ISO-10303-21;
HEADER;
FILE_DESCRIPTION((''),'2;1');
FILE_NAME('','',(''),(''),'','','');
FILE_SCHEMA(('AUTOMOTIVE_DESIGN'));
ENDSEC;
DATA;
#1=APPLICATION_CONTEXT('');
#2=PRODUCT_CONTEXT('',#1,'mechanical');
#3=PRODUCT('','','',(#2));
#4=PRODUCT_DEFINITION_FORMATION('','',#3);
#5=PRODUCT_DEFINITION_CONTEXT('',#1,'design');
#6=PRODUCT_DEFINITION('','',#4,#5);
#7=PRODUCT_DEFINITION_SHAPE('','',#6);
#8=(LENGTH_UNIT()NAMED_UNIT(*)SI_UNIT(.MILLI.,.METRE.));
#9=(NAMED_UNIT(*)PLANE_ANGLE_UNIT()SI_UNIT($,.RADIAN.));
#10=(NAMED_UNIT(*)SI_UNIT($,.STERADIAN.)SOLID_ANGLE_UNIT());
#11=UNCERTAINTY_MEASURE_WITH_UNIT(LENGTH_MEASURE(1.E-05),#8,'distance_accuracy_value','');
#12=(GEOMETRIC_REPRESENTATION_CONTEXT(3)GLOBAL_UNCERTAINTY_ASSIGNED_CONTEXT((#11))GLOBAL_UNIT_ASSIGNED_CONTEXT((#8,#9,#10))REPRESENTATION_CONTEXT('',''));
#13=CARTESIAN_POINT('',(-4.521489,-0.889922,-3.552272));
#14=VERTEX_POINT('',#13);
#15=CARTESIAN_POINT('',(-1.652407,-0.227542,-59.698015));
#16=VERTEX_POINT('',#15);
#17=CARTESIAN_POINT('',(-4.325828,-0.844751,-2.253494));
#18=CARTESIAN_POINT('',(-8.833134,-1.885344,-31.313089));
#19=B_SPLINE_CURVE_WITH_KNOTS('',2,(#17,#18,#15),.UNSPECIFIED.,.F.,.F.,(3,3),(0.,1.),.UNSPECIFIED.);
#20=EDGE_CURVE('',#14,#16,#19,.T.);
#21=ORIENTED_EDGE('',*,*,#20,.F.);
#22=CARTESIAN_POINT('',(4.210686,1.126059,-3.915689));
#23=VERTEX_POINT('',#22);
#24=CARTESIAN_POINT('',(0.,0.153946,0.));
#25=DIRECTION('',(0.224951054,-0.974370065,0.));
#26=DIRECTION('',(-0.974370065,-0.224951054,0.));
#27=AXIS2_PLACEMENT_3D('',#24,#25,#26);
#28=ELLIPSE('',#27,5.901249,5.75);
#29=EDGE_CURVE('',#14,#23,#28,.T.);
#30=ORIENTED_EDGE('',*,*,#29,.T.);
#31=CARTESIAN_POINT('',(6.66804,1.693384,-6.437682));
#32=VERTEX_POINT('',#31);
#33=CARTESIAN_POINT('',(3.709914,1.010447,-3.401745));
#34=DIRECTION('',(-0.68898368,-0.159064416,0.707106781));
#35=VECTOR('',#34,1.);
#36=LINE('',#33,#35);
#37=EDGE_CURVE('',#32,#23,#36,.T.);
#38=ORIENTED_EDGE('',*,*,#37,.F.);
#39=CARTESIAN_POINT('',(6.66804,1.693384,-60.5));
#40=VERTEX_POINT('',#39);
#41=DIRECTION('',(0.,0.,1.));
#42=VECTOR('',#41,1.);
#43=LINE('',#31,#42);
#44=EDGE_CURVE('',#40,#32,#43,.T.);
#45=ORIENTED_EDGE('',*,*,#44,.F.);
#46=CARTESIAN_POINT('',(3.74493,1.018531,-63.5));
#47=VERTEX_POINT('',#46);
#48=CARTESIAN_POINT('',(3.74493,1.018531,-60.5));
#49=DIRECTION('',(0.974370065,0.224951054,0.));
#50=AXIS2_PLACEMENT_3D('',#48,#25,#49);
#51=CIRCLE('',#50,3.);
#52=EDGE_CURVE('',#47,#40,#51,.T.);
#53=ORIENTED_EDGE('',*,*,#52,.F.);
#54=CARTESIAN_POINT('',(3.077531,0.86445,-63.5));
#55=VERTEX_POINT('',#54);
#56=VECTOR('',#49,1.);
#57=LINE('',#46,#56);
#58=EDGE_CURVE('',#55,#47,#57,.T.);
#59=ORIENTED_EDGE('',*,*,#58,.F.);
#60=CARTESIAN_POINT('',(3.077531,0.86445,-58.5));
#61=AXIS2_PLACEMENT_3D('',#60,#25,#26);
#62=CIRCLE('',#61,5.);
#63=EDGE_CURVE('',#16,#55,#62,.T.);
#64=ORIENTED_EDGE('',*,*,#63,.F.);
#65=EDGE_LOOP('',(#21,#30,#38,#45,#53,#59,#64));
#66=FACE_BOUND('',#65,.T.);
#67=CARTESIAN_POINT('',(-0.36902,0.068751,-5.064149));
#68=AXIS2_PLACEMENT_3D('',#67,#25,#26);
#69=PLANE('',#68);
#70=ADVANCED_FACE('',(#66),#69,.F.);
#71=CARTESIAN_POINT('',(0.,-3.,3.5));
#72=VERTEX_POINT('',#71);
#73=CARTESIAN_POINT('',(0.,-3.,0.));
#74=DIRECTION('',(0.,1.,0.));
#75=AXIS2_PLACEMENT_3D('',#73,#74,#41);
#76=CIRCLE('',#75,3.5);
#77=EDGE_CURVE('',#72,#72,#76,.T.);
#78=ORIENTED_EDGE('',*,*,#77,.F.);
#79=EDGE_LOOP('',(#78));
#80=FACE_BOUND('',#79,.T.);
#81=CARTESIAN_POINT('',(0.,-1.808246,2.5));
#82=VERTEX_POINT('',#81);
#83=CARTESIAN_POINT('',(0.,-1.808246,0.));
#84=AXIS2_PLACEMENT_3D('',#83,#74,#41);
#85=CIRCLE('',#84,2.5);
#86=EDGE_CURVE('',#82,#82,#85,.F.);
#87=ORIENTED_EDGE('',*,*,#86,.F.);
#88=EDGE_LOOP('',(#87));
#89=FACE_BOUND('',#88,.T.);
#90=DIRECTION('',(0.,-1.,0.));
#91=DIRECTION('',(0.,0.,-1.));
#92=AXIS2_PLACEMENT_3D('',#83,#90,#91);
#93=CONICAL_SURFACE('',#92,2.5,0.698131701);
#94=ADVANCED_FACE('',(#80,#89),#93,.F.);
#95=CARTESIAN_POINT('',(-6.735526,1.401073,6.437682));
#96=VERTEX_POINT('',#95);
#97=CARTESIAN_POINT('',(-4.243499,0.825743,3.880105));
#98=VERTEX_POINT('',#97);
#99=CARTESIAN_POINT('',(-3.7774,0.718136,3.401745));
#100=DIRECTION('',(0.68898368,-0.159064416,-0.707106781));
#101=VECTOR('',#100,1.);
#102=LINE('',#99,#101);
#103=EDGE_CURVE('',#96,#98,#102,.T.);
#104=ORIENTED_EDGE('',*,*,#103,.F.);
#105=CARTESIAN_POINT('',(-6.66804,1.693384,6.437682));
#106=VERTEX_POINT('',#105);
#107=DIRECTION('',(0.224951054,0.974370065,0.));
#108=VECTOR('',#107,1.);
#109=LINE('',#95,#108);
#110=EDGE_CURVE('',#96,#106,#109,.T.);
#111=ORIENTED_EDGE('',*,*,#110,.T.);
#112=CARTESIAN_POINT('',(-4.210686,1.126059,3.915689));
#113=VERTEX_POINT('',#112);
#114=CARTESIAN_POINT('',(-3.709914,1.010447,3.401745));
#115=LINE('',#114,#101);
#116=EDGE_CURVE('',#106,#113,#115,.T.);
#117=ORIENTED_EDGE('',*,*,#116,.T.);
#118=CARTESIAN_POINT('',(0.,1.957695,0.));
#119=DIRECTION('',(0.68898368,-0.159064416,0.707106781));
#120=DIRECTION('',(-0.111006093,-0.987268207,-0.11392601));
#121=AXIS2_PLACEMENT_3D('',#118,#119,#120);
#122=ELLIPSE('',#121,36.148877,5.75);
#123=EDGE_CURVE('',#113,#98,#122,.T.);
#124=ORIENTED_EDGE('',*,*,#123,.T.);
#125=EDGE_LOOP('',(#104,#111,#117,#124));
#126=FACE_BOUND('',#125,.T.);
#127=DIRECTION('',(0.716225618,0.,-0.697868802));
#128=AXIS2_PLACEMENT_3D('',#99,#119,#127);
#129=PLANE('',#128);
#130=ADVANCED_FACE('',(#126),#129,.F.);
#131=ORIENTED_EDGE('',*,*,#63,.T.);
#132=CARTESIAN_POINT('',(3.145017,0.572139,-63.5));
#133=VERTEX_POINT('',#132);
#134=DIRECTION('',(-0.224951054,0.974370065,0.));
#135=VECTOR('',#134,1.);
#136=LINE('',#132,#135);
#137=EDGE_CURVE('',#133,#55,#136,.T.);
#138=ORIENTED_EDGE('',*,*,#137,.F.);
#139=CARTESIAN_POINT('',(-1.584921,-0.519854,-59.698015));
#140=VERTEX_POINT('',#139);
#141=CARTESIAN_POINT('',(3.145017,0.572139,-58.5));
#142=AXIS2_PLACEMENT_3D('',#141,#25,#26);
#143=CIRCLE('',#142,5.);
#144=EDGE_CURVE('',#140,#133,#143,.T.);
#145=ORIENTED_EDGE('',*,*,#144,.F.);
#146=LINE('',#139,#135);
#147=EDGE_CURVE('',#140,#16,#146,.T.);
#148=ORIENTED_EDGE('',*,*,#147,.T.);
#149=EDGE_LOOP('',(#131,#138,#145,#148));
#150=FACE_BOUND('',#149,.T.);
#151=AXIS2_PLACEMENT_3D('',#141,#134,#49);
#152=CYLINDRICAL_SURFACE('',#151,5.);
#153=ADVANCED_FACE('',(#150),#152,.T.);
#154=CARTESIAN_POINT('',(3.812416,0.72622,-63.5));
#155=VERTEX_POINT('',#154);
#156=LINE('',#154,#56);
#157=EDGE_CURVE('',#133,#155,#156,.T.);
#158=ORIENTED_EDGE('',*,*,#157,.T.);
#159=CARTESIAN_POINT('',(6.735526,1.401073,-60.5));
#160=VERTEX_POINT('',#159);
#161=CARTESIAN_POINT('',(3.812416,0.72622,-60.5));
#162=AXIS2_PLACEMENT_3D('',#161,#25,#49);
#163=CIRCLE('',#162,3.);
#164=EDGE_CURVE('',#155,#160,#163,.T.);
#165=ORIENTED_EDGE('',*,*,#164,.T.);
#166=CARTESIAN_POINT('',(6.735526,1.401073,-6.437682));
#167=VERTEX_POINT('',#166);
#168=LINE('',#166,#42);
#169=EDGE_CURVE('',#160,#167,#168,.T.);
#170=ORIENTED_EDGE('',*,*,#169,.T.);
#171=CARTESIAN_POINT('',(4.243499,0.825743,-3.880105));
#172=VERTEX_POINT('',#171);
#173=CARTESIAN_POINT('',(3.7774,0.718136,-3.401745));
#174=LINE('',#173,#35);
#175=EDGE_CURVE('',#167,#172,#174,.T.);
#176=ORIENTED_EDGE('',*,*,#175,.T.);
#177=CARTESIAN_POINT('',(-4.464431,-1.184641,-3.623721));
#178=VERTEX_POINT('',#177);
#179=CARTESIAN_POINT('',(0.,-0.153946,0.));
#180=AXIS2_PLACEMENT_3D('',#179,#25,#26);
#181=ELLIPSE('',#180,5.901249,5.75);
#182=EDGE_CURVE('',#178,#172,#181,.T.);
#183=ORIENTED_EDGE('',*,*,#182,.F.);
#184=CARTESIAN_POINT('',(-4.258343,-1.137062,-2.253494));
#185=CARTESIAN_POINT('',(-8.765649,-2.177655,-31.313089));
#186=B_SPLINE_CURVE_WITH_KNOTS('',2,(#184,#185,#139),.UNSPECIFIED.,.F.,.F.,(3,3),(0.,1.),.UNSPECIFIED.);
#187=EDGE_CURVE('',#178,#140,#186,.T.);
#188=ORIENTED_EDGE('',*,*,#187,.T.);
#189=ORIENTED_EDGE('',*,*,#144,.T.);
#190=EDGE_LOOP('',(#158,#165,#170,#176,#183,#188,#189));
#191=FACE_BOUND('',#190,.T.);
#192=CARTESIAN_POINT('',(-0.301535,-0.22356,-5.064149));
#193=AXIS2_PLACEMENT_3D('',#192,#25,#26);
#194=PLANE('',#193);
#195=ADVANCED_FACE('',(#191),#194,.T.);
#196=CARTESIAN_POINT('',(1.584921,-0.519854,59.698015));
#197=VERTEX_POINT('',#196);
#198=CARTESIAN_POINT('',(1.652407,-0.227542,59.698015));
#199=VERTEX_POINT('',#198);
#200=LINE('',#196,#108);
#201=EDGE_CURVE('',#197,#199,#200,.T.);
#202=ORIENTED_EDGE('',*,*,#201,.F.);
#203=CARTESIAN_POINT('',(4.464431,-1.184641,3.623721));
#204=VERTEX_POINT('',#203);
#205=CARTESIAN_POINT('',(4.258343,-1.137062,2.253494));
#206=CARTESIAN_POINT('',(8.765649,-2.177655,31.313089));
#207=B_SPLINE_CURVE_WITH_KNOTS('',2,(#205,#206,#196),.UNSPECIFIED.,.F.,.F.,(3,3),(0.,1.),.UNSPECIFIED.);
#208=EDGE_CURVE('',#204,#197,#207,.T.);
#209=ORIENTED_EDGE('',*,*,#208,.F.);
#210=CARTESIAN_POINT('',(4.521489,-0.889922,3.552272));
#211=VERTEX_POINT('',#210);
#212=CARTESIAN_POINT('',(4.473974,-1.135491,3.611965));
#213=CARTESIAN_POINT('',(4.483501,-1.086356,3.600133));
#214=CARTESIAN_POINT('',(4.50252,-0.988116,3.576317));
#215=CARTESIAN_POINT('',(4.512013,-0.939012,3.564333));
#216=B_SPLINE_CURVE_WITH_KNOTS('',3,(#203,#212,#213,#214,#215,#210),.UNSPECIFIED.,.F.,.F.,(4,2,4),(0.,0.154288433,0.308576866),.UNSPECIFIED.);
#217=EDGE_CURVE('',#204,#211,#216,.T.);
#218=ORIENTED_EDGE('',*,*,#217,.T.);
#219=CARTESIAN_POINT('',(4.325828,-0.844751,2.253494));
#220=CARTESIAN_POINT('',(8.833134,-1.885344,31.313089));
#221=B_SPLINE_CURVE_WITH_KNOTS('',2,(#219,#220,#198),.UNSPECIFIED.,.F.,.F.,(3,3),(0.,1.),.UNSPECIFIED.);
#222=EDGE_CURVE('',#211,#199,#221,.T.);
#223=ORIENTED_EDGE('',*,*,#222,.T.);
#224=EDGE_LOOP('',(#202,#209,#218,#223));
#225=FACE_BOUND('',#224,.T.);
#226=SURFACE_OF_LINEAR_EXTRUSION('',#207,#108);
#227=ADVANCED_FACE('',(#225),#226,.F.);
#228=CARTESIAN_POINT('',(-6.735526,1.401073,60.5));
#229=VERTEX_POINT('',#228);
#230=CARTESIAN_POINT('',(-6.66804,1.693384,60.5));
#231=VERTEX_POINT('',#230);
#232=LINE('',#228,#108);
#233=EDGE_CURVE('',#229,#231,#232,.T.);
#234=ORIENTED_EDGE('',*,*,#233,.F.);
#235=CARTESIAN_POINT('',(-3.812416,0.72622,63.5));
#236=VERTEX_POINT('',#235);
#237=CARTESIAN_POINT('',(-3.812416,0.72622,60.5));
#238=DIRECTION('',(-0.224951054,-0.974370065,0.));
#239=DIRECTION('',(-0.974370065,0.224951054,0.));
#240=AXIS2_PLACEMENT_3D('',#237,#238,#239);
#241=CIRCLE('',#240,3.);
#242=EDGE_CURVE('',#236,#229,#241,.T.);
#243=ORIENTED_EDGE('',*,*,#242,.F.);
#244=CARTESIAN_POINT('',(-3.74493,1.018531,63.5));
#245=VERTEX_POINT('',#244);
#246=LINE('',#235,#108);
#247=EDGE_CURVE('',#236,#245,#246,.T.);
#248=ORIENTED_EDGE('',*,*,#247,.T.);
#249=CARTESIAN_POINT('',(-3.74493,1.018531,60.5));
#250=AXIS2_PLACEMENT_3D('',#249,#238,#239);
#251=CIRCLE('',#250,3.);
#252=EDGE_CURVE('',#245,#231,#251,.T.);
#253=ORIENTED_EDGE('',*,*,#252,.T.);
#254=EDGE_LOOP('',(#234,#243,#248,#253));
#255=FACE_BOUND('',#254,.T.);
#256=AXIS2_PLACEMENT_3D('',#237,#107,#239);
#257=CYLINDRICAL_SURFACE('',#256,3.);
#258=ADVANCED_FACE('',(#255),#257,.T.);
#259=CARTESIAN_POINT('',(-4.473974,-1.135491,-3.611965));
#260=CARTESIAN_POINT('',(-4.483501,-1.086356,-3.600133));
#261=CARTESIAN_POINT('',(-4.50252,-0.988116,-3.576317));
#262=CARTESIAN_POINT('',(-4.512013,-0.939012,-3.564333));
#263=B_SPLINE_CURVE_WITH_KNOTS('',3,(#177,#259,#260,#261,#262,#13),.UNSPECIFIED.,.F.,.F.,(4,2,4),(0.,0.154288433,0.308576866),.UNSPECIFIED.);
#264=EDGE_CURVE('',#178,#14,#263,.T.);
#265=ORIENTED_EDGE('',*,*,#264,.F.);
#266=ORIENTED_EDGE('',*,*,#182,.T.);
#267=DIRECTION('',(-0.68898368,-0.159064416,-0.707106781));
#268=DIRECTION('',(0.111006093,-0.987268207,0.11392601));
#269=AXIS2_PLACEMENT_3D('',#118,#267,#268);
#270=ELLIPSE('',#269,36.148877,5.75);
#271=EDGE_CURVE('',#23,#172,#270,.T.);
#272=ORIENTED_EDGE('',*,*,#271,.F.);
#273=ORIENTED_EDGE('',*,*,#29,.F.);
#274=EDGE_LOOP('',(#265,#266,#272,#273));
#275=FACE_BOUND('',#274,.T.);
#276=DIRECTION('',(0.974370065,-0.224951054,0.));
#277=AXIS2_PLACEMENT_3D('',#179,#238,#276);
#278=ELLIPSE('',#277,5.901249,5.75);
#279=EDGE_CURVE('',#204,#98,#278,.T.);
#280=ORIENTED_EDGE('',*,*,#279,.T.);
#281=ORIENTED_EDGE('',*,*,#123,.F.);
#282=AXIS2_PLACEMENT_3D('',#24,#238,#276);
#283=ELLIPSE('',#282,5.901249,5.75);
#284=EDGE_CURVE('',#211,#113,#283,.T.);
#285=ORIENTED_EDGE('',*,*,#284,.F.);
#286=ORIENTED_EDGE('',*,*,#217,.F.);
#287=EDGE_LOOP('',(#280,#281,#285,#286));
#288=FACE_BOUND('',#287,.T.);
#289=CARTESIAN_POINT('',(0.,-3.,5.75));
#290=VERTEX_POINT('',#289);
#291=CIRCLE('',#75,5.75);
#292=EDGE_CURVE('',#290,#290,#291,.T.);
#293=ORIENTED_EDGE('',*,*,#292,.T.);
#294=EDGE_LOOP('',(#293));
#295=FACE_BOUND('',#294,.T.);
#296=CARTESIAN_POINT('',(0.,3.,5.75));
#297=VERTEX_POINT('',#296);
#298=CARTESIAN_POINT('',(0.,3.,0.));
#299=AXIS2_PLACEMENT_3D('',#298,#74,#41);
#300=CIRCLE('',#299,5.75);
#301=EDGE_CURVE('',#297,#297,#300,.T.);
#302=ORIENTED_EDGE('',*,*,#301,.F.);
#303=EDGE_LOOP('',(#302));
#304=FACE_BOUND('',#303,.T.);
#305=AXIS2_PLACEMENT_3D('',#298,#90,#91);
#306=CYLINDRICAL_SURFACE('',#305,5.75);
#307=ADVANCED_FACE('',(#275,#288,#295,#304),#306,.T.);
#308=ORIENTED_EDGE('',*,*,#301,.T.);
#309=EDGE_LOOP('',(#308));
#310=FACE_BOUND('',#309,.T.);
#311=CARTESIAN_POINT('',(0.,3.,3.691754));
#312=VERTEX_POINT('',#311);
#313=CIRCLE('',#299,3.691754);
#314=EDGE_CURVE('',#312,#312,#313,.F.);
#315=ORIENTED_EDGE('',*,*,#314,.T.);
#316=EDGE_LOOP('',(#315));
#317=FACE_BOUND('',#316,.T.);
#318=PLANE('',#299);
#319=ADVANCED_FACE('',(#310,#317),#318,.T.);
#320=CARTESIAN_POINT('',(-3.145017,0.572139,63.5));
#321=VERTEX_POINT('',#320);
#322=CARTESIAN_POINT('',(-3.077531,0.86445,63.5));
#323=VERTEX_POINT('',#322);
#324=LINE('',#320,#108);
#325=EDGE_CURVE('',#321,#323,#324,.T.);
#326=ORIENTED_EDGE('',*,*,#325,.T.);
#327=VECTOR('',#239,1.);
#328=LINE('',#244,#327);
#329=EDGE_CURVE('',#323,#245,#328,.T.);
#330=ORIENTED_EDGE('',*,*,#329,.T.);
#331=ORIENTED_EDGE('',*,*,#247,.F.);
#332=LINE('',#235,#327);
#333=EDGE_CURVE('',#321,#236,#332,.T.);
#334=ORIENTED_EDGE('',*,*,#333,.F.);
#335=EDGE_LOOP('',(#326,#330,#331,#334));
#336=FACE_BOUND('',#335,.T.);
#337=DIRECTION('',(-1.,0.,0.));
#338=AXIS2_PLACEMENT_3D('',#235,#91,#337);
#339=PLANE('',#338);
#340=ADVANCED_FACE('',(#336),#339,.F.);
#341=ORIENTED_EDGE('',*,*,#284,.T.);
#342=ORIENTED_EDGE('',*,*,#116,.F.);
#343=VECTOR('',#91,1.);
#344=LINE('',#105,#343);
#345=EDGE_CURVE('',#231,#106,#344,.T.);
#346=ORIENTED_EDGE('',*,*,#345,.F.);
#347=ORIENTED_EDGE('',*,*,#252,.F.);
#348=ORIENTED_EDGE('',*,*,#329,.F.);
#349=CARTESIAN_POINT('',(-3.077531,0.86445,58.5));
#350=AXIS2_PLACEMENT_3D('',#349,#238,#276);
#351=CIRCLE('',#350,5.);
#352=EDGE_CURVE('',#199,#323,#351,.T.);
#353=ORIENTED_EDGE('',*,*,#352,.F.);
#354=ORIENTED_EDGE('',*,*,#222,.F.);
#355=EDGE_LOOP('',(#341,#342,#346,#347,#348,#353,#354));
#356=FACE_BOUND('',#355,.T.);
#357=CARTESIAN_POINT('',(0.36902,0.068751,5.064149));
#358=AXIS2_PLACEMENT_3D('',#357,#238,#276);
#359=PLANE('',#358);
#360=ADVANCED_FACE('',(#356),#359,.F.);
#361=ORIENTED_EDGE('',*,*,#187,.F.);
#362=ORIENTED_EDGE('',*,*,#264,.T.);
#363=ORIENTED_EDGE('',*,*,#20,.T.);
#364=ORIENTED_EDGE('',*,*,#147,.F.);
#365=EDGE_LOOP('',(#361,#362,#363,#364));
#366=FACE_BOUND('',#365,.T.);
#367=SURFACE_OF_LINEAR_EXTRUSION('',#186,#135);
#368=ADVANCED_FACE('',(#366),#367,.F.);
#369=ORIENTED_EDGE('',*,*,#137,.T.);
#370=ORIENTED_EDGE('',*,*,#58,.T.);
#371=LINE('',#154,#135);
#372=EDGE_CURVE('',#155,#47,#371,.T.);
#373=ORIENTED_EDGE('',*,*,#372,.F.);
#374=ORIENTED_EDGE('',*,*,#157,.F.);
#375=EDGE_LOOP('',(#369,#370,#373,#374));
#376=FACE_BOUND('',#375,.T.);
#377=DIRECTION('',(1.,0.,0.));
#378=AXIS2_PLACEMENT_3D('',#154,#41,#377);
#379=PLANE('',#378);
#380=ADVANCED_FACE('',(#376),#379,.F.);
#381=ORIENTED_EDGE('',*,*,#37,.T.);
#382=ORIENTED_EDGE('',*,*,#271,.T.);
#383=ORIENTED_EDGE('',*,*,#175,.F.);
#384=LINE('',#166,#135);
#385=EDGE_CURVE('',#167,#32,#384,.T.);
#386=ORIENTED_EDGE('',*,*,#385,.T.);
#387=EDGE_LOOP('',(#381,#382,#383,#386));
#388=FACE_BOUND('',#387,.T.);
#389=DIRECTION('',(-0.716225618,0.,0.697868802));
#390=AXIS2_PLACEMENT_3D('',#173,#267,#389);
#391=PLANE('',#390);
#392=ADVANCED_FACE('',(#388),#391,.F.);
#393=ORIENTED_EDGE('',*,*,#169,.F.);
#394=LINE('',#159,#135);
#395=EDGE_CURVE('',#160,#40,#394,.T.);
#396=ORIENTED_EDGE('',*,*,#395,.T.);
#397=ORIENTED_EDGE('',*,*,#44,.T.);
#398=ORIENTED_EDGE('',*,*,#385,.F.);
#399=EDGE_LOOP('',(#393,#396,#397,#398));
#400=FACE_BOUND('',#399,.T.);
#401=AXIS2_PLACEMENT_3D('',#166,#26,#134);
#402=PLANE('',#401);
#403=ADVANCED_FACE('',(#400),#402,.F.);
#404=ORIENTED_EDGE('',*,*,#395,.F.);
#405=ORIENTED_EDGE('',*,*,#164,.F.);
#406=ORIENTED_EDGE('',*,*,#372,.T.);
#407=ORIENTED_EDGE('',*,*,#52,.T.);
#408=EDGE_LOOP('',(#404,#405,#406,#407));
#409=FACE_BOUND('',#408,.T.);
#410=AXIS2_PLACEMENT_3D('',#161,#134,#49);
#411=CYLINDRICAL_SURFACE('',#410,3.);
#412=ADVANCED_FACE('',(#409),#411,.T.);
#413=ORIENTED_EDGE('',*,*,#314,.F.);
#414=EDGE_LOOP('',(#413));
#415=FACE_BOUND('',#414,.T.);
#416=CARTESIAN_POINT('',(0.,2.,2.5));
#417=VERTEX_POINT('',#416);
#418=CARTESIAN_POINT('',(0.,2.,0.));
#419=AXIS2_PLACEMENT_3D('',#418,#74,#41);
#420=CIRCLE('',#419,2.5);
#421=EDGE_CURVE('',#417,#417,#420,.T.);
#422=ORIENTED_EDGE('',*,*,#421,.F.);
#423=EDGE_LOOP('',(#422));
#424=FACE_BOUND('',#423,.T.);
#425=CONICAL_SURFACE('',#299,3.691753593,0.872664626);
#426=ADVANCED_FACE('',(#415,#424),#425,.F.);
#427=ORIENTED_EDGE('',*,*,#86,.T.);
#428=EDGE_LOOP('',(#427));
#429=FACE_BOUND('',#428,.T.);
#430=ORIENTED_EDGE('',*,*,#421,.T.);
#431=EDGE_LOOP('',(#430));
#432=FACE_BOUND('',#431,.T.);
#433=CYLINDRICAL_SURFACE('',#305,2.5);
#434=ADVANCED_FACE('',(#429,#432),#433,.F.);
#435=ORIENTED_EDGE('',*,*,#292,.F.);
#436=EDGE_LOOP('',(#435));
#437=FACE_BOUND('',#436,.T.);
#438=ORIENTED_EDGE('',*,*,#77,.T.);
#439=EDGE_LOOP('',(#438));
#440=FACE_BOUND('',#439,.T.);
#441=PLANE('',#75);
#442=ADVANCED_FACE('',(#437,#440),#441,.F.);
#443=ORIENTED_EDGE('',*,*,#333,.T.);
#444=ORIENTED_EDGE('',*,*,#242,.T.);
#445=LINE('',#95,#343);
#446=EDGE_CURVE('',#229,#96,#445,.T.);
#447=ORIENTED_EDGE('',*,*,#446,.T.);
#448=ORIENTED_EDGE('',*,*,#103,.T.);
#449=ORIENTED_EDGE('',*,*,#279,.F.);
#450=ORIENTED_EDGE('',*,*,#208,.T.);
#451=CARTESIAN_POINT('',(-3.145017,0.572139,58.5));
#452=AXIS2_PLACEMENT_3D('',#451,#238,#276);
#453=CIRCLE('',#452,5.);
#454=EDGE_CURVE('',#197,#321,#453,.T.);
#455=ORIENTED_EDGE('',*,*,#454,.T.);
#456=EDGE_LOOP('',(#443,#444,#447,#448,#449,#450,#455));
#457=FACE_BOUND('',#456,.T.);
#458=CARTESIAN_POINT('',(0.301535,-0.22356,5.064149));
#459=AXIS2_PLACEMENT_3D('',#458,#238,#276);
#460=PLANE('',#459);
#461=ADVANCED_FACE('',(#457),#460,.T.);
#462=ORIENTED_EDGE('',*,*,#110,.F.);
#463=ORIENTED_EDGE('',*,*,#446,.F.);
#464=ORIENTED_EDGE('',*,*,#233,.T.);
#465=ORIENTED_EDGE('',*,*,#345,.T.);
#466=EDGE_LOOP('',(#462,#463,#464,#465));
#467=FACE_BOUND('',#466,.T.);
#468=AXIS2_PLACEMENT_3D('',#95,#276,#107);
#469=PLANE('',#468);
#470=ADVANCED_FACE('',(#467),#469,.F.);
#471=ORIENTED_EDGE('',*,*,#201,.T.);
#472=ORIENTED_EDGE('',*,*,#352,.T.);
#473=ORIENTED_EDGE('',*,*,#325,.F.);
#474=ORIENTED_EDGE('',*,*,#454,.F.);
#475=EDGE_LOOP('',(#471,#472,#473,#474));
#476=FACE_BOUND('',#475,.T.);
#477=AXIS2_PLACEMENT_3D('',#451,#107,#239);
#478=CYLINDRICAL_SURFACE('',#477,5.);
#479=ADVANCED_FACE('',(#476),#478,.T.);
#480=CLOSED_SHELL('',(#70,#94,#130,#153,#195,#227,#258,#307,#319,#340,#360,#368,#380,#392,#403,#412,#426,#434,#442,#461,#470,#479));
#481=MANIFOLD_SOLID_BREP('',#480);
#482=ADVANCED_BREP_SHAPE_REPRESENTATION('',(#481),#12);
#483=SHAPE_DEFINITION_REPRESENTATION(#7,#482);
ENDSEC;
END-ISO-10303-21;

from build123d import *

# Parameters (mm, degrees)
SKETCH1_R             = 5.75
BOSS_EXTRUDE1_DEPTH   = 3
BOSS_EXTRUDE2_DEPTH   = 0.15
CIRPATTERN1_COUNT     = 2
SKETCH4_R             = 2.5
CUT_EXTRUDE1_DEPTH    = 7.0000001
CHAMFER1_SIZE         = 1
CHAMFER1_SIZE2        = 1.191753593
CHAMFER1_PART_2_SIZE  = 1
CHAMFER1_PART_2_SIZE2 = 1.191753593


with BuildPart() as part:
    # Sketch1 → Boss-Extrude1 (new body, symmetric)
    with BuildSketch(Plane(origin=(0, 0, 0), x_dir=(1, 0, 0), z_dir=(0, 1, 0))):
        Circle(SKETCH1_R)
    extrude(amount=BOSS_EXTRUDE1_DEPTH, both=True)

    # Sketch3 → Boss-Extrude2 (add, symmetric)
    with BuildSketch(Plane(origin=(0, 0, 0), x_dir=(0.974370065, -0.224951054, 0), z_dir=(-0.224951054, -0.974370065, 0))):
        with BuildLine():
            Line((-3.842130485, 3.401744966), (-6.87806753, 6.437682011))
            Line((-6.87806753, 6.437682011), (-6.87806753, 60.5))
            ThreePointArc((-6.87806753, 60.5), (-5.999387873, 62.621320344), (-3.87806753, 63.5))
            Line((-3.87806753, 63.5), (-3.193113424, 63.5))
            ThreePointArc((-3.193113424, 63.5), (-0.110101392, 62.436373561), (1.661241396, 59.698014726))
            add(Edge.make_bspline(
                [(1.661241396, 59.698014726), (9.030851791, 31.313089237), (4.404985301, 2.253493698)],
                knots=[0, 0, 0, 1, 1, 1], degree=2))
            add(Edge.make_bspline(
                [(-3.842130485, 3.401744966), (0.406766217, 7.300677946), (4.404985301, 2.253493698)],
                knots=[0, 0, 0, 1, 1, 1], degree=2))
        make_face()
    boss_extrude2 = extrude(amount=BOSS_EXTRUDE2_DEPTH, both=True)

    # CirPattern1: Boss-Extrude2 ×2 about axis
    cirpattern1_axis = Axis((0, 3, 0), (0, -1, 0))
    for i in range(1, CIRPATTERN1_COUNT):
        add(boss_extrude2.rotate(cirpattern1_axis, i * 360 / CIRPATTERN1_COUNT))

    # Sketch4 → Cut-Extrude1 (cut, through all)
    with BuildSketch(Plane.XZ.offset(3)):
        Circle(SKETCH4_R)
    extrude(amount=-CUT_EXTRUDE1_DEPTH, mode=Mode.SUBTRACT)

    # Chamfer1
    chamfer1_edges = [part.edges().sort_by_distance(p)[0] for p in [
        (-2.5, 3, 0),
    ]]
    chamfer1_side = [part.faces().sort_by_distance(p)[0] for p in [
        (-2.5, 0, 0),
    ]]
    chamfer(chamfer1_edges, length=CHAMFER1_SIZE, length2=CHAMFER1_SIZE2, reference=chamfer1_side[0])

    # Chamfer1 part 2
    chamfer1_part_2_edges = [part.edges().sort_by_distance(p)[0] for p in [
        (-2.5, -3, 0),
    ]]
    chamfer1_part_2_side = [part.faces().sort_by_distance(p)[0] for p in [
        (-5.58736544, -3, 0),
    ]]
    chamfer(chamfer1_part_2_edges, length=CHAMFER1_PART_2_SIZE, length2=CHAMFER1_PART_2_SIZE2, reference=chamfer1_part_2_side[0])


solid = part.part
